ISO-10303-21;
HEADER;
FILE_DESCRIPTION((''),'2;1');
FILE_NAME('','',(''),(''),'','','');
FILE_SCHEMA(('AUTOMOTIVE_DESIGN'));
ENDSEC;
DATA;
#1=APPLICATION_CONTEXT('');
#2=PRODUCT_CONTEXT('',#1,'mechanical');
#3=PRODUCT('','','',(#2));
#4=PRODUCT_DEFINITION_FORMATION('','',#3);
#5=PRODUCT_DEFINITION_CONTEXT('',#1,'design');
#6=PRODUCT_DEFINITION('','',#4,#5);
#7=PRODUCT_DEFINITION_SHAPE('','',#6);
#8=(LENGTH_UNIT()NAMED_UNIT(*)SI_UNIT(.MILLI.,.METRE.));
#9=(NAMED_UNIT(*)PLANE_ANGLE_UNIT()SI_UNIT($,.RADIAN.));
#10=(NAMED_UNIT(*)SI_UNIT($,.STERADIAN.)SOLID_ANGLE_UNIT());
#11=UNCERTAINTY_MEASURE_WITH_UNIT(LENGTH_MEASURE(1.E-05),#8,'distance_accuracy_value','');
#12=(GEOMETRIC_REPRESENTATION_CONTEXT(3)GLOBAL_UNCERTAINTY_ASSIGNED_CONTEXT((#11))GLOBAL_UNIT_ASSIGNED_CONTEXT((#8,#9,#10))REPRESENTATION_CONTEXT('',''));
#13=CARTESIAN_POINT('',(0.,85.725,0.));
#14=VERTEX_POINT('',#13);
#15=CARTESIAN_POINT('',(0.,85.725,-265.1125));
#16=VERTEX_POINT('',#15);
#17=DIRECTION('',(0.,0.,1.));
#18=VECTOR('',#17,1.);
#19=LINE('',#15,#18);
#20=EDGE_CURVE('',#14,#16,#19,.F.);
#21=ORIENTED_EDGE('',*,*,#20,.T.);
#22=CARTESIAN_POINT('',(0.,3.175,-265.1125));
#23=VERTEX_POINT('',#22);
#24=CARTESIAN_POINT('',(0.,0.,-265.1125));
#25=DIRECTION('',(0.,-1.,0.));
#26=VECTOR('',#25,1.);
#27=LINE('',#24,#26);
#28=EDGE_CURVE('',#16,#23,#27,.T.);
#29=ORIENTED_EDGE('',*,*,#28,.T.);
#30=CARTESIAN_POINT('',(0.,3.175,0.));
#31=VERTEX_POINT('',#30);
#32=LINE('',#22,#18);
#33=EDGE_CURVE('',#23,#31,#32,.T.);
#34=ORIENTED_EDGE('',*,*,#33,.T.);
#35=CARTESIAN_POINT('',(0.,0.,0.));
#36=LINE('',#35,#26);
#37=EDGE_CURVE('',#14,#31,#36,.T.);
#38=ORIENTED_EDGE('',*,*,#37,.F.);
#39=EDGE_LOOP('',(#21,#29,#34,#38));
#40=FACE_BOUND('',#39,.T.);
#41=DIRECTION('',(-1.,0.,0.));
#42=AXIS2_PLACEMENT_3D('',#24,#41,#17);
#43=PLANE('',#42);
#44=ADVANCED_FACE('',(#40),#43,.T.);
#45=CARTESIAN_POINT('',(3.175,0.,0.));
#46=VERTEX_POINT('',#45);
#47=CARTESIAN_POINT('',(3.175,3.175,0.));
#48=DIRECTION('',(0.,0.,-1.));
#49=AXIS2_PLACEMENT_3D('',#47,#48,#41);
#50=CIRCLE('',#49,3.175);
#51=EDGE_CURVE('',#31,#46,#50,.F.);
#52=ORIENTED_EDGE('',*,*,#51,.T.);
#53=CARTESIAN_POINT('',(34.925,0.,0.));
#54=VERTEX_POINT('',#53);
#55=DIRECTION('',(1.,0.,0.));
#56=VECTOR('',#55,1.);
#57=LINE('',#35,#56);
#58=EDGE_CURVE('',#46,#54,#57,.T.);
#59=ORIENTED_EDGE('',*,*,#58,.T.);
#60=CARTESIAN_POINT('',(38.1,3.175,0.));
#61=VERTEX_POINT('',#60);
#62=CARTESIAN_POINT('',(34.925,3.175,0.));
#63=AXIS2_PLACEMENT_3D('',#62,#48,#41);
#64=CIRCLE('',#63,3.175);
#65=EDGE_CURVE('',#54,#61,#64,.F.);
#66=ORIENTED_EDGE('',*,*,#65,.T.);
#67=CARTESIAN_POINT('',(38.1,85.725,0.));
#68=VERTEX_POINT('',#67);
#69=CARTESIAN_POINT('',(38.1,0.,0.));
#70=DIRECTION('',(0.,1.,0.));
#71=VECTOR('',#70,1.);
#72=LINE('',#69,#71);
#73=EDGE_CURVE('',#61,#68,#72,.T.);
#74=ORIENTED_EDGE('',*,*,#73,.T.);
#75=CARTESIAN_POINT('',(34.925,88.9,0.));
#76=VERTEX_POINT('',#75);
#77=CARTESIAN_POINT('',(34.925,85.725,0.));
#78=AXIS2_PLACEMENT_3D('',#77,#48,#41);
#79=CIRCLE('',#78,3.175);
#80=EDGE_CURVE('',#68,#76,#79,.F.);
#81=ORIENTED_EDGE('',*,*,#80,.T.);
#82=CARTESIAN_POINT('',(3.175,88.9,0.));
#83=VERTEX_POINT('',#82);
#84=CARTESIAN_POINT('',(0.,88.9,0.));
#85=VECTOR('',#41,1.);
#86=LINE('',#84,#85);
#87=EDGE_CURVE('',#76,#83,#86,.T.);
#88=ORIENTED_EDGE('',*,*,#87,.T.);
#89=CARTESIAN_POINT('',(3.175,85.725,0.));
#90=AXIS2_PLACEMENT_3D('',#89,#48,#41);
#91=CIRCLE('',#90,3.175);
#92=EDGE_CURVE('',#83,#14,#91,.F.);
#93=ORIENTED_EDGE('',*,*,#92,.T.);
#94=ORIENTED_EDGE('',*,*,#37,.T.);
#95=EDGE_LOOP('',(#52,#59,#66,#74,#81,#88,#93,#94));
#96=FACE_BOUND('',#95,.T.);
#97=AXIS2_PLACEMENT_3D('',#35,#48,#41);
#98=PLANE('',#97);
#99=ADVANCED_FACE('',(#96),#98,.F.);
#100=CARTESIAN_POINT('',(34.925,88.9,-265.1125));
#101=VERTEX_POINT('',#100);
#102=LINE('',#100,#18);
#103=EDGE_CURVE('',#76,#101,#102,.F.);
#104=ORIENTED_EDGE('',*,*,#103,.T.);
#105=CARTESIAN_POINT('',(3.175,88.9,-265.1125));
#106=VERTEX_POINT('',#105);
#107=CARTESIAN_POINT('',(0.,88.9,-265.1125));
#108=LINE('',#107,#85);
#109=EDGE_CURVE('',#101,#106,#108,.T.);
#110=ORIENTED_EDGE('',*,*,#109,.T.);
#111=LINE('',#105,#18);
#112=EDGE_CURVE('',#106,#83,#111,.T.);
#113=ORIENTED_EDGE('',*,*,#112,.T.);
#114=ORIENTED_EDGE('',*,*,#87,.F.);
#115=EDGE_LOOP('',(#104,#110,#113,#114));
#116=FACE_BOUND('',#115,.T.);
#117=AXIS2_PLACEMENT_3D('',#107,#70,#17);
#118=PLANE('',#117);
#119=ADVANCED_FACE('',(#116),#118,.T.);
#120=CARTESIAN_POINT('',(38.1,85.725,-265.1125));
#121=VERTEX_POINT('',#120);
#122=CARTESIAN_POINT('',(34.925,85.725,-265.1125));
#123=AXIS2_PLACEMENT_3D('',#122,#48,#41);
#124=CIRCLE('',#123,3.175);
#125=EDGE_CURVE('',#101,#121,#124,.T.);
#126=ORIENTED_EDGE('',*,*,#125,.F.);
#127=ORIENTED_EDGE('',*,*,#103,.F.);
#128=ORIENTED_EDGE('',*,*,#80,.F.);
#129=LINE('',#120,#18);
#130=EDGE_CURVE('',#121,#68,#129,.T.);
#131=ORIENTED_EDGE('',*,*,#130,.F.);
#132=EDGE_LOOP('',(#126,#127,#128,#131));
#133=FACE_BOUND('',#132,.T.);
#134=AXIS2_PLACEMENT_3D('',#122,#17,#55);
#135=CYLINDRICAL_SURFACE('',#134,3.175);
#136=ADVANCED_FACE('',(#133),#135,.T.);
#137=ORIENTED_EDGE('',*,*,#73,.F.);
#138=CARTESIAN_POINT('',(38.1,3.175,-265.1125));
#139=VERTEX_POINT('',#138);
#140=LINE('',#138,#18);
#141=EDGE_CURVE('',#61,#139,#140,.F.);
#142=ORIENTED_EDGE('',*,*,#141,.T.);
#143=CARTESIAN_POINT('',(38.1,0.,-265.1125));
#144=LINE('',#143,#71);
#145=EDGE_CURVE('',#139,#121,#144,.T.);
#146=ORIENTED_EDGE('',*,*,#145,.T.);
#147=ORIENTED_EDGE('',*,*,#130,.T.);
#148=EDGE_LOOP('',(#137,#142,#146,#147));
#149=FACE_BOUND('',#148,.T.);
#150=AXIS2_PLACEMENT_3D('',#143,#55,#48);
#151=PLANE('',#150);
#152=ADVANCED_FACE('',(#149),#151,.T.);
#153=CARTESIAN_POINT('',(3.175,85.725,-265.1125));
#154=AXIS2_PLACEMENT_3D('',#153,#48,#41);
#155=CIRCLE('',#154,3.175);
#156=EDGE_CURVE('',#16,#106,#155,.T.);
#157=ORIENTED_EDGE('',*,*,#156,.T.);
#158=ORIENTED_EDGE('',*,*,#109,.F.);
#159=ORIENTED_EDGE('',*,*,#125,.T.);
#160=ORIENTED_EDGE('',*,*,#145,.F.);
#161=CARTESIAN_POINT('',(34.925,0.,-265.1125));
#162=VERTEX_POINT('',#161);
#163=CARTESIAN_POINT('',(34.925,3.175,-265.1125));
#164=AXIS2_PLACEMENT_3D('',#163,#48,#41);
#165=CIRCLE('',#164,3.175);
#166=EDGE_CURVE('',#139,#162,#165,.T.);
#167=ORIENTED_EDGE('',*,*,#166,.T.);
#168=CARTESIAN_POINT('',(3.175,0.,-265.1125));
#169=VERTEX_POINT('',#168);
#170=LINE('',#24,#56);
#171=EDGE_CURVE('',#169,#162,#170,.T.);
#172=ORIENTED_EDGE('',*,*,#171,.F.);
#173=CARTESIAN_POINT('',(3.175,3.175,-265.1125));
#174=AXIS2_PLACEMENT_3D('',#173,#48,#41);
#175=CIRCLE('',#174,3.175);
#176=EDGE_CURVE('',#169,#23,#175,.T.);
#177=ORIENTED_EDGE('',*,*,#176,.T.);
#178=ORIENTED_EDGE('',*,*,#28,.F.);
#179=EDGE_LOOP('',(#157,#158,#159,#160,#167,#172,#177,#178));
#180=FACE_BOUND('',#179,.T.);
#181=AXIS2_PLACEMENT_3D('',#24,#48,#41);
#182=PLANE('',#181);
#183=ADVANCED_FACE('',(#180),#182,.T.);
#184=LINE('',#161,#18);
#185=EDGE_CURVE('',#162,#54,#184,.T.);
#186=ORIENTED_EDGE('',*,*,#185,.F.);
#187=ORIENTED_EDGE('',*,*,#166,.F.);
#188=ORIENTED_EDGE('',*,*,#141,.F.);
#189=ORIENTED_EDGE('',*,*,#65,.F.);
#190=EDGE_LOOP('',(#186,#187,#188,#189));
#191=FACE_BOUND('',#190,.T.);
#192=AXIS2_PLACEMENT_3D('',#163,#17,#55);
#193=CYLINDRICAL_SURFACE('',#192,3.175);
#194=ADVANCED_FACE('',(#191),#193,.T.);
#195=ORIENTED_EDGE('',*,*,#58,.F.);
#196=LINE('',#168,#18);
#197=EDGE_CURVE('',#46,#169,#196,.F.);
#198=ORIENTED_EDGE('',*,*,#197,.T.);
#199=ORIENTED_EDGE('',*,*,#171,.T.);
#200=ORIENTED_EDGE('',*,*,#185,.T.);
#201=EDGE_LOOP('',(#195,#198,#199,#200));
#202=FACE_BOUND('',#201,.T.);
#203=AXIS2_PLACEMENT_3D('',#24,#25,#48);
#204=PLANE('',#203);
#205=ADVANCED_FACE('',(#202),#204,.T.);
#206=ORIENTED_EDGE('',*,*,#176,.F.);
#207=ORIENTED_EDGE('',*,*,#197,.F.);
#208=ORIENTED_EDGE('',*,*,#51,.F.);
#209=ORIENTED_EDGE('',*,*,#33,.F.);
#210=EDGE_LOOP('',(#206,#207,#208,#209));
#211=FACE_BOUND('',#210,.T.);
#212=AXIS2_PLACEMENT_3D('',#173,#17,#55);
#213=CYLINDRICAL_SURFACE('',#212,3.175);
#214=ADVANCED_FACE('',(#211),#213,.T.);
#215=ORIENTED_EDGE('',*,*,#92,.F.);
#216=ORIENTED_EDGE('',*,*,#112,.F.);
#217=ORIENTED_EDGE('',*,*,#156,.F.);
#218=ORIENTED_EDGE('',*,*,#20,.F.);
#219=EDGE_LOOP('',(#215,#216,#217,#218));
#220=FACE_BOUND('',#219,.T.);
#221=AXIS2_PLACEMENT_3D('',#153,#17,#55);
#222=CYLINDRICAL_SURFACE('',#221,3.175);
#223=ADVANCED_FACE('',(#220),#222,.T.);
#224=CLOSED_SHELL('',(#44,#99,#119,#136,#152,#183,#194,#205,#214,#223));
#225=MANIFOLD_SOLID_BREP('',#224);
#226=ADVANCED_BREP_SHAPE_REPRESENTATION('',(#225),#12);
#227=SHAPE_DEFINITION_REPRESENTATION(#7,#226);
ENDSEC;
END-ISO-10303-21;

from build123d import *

# Parameters (mm, degrees)
SKETCH1_W           = 38.1
SKETCH1_H           = 88.9
BOSS_EXTRUDE1_DEPTH = 265.1125
FILLET1_R           = 3.175


with BuildPart() as part:
    # Sketch1 → Boss-Extrude1 (new body)
    with BuildSketch(Plane.XY):
        with Locations((19.05, 44.45)):
            Rectangle(SKETCH1_W, SKETCH1_H)
    extrude(amount=-BOSS_EXTRUDE1_DEPTH)

    # Fillet1
    fillet1_edges = [part.edges().sort_by_distance(p)[0] for p in [
        (0, 88.9, -132.55625),
        (38.1, 88.9, -132.55625),
        (38.1, 0, -132.55625),
        (0, 0, -132.55625),
    ]]
    fillet(fillet1_edges, radius=FILLET1_R)


solid = part.part
